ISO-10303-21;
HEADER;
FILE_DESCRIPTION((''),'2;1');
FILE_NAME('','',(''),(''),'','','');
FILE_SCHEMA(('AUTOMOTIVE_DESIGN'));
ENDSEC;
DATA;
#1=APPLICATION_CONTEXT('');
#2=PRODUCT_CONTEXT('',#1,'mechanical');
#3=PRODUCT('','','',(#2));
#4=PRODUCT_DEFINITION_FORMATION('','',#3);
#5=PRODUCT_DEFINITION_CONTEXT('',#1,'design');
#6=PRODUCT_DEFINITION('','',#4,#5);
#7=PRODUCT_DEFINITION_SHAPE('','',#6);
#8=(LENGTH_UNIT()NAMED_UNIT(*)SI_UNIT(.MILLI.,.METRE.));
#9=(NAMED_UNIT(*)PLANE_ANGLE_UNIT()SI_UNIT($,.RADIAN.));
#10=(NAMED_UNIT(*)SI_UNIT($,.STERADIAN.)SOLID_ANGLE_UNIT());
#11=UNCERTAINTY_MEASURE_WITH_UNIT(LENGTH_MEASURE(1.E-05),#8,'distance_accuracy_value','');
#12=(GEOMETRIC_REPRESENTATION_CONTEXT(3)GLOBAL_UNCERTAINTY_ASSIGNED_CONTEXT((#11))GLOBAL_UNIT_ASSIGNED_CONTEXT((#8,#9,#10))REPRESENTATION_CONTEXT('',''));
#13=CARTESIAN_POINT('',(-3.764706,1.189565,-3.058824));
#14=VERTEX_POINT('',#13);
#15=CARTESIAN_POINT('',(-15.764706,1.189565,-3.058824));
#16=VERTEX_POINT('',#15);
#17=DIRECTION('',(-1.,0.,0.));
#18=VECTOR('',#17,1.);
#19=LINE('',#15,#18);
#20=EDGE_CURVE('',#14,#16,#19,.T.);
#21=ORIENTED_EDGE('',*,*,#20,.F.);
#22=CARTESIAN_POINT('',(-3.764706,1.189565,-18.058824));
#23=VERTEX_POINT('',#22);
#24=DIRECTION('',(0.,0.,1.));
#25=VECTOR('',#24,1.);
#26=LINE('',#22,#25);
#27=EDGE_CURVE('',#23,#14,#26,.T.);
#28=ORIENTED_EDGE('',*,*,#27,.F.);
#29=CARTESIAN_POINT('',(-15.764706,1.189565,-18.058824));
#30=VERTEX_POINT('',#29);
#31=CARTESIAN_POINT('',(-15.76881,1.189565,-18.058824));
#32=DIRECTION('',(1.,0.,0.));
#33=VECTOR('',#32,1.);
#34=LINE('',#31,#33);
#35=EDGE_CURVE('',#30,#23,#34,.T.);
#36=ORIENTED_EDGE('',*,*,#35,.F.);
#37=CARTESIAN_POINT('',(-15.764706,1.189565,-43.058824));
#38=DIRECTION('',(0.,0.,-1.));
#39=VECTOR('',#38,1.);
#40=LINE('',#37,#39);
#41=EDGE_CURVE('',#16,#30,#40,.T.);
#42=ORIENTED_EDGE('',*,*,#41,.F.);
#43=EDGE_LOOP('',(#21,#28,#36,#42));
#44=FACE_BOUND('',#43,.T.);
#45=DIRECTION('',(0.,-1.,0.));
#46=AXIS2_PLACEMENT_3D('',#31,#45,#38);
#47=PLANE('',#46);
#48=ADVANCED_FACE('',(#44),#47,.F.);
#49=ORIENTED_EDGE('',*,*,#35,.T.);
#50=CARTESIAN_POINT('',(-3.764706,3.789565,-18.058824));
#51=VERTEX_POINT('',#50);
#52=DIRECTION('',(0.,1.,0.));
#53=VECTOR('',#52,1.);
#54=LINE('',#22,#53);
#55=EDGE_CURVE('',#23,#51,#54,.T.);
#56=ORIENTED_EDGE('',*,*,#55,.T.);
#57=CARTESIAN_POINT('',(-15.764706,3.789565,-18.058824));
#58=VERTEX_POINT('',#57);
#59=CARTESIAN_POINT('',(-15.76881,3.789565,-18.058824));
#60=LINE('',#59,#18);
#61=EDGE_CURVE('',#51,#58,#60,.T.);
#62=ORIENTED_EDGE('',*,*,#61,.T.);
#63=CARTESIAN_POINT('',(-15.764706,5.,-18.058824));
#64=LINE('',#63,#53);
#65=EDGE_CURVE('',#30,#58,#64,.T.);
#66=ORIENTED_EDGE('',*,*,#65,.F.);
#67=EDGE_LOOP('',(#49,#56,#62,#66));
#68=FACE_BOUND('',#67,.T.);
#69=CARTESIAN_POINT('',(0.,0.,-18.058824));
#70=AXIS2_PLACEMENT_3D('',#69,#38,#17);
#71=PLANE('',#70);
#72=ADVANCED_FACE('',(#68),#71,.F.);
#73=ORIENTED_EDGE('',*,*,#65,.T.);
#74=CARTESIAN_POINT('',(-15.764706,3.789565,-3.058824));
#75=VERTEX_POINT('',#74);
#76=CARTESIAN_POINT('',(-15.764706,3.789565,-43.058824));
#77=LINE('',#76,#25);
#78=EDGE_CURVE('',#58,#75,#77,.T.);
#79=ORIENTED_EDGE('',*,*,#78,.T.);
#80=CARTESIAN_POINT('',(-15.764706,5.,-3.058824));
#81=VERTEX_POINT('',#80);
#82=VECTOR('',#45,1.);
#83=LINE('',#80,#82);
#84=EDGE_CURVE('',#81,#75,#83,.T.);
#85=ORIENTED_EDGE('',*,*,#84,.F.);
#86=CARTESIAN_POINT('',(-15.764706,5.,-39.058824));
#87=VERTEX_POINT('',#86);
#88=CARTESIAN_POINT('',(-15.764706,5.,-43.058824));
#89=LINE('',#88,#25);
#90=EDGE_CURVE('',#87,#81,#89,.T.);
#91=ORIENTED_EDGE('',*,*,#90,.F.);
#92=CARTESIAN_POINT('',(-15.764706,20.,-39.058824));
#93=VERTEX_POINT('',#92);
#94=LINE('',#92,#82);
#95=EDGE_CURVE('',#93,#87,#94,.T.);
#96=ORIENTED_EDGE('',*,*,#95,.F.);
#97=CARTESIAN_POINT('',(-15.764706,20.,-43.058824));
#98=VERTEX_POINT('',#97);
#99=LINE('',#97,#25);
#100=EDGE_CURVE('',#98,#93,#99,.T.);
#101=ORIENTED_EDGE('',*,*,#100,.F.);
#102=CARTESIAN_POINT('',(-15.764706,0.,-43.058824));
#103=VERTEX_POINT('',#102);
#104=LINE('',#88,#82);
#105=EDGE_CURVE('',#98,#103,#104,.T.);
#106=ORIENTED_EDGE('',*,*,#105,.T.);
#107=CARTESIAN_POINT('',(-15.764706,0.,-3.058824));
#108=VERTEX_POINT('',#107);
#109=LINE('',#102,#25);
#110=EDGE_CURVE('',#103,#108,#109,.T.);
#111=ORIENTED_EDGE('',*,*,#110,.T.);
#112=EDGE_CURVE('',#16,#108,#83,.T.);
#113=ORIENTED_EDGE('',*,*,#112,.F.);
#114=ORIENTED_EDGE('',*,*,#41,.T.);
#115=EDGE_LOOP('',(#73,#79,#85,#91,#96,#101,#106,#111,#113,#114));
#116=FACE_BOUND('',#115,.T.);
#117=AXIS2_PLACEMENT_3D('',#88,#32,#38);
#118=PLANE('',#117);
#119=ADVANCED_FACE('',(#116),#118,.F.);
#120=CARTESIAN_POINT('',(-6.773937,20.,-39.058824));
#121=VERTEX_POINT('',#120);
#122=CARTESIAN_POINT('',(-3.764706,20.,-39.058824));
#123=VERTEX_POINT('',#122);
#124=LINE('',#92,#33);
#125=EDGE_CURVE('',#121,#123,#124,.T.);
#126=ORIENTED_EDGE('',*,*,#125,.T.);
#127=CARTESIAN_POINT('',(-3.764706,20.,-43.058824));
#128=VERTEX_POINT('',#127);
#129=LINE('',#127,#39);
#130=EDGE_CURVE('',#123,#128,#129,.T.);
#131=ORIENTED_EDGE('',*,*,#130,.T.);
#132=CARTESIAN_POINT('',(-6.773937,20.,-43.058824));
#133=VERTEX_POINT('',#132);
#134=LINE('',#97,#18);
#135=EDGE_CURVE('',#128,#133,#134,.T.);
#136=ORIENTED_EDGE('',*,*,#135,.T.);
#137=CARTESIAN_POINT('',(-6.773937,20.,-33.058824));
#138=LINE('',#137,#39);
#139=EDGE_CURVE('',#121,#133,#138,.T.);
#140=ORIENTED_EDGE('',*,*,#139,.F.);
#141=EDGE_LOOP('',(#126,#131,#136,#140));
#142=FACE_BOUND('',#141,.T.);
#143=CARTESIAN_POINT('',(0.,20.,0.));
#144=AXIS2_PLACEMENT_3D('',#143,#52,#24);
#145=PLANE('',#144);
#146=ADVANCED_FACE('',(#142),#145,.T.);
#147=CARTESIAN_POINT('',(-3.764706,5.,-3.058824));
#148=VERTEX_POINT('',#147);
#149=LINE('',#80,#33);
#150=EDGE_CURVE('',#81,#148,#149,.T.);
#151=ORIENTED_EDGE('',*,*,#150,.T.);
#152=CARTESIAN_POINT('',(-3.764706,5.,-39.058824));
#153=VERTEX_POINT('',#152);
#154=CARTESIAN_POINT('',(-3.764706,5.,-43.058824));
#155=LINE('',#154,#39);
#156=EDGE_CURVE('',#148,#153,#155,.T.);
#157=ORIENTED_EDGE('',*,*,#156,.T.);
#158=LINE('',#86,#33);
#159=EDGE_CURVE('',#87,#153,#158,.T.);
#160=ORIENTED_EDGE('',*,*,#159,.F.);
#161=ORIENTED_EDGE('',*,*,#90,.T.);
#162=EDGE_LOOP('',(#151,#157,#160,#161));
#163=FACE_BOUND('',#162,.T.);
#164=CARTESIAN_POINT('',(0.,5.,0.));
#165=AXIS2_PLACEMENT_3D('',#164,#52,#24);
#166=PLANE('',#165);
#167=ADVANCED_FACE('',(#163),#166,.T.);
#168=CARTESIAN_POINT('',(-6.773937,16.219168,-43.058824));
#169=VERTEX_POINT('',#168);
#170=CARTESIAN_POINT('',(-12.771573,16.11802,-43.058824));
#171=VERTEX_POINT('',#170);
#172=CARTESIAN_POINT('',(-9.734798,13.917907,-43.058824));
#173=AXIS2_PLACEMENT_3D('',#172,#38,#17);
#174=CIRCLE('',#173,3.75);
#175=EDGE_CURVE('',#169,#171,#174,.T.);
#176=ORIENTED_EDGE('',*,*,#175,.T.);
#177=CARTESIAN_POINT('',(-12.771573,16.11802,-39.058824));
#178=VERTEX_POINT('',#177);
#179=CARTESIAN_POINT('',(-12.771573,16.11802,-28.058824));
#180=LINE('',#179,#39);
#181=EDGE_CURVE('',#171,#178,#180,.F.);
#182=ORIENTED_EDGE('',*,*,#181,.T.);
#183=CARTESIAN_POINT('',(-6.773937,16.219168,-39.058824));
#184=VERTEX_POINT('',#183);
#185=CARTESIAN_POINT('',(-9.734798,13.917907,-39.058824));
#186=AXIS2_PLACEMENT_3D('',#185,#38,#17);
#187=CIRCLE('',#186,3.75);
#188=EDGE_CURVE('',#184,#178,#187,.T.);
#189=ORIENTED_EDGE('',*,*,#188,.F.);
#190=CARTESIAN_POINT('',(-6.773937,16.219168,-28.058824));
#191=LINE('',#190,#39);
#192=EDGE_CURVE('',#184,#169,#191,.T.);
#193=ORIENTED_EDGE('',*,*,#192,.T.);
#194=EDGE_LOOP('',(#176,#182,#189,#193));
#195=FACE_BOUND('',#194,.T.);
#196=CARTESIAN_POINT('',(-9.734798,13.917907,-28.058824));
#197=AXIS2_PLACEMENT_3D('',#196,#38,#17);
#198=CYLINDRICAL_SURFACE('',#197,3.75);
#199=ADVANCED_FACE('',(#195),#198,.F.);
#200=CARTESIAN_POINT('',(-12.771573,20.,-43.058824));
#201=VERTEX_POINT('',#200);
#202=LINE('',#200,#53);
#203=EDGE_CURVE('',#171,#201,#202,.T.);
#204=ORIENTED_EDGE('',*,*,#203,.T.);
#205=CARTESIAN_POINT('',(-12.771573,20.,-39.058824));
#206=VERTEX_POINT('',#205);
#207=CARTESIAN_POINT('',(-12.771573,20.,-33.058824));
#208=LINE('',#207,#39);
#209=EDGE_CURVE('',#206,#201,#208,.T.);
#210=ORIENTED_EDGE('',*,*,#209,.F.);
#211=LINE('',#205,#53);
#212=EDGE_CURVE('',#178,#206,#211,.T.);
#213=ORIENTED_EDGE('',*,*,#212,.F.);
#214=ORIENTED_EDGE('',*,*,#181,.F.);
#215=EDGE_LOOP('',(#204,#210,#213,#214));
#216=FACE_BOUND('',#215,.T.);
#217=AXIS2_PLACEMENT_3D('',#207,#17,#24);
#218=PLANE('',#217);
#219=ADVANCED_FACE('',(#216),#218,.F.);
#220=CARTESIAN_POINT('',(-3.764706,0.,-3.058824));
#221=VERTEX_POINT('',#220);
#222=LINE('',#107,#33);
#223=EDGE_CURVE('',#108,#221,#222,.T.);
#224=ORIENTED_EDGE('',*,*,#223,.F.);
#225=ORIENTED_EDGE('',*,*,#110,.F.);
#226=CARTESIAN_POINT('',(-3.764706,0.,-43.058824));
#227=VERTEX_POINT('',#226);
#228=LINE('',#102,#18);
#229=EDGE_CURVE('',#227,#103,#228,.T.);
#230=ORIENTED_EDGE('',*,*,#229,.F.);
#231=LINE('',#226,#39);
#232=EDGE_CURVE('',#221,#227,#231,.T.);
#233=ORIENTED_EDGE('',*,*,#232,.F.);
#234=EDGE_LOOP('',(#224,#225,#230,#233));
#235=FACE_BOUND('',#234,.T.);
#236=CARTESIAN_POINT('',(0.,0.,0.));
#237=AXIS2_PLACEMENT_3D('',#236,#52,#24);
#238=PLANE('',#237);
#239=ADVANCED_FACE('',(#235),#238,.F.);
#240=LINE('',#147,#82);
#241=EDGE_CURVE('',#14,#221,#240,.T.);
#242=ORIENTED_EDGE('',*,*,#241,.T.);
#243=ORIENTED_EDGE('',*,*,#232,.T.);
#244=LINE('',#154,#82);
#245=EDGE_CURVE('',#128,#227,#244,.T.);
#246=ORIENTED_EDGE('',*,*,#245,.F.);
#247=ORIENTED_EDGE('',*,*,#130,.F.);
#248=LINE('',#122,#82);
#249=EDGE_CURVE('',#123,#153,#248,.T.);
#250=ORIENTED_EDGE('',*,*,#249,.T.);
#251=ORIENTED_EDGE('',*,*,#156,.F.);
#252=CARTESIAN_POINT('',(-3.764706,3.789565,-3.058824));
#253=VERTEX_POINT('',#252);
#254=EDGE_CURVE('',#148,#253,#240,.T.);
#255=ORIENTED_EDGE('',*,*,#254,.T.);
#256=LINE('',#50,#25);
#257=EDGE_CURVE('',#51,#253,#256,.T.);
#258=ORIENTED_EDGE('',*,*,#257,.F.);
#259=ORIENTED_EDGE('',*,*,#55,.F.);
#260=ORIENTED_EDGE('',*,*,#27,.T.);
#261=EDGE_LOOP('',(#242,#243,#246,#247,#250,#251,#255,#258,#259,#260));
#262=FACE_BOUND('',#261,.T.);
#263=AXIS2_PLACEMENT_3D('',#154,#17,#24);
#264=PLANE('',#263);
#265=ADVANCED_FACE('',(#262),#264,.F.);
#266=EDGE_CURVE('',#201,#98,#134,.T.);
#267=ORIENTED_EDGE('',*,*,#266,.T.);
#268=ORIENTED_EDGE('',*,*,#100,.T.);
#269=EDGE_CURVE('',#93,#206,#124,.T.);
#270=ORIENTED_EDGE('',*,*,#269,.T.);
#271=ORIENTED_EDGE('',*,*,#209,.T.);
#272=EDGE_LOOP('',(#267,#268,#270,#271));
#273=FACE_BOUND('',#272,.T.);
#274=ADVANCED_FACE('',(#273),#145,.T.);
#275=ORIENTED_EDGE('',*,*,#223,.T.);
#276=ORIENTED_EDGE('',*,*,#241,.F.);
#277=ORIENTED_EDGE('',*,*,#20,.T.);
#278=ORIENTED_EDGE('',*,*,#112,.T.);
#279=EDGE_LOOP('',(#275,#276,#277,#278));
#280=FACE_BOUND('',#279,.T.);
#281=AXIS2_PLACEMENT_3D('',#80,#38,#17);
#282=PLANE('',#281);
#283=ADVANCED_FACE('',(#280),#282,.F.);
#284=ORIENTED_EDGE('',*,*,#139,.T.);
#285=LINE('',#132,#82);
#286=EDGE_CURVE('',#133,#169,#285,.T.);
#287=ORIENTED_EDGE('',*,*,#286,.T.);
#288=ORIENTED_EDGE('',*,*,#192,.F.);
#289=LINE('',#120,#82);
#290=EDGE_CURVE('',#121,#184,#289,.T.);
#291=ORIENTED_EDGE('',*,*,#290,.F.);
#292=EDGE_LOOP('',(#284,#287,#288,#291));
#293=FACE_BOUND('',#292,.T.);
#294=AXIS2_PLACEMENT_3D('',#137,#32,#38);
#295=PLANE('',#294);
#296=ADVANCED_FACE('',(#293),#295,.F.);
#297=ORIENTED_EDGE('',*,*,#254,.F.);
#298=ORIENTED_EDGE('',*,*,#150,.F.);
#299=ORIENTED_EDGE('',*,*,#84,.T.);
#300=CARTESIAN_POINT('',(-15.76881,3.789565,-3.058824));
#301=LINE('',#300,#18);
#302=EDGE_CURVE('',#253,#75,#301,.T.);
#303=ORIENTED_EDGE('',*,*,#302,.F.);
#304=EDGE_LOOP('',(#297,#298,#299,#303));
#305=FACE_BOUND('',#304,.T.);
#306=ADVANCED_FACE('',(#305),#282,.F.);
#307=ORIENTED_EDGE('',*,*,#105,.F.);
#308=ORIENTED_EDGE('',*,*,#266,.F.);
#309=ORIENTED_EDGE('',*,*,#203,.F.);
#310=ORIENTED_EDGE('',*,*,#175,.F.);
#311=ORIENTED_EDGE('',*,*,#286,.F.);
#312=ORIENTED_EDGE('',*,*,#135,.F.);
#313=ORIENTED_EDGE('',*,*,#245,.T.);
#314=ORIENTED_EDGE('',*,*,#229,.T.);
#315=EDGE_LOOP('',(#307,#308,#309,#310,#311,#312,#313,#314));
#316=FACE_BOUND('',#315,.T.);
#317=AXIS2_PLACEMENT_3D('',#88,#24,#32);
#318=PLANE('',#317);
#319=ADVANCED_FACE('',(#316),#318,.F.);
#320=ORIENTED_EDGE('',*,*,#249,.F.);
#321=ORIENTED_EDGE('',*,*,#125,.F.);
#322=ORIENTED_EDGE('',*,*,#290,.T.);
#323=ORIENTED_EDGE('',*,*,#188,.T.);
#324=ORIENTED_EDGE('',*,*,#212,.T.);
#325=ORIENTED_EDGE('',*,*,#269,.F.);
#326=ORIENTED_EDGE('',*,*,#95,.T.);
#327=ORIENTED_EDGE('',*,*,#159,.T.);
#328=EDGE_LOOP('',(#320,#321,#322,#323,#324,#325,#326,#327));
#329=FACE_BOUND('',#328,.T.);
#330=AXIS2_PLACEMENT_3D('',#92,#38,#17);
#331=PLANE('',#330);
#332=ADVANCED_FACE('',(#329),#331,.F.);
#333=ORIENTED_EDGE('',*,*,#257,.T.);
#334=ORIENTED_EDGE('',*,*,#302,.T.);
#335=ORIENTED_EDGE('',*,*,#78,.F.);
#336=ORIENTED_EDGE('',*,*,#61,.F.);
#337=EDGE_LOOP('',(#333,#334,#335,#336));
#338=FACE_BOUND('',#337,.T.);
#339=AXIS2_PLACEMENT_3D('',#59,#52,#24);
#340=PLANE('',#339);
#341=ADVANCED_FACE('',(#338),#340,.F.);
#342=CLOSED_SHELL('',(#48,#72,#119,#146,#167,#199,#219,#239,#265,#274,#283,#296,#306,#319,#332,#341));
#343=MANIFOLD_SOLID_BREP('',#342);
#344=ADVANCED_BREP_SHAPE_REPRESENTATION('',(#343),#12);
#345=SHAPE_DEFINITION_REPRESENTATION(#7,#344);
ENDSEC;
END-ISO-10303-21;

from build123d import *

# Parameters (mm, degrees)
SKETCH2_W           = 12
SKETCH2_H           = 40
BOSS_EXTRUDE1_DEPTH = 5
SKETCH3_W           = 12.004104261
SKETCH3_H           = 2.6
CUT_EXTRUDE1_DEPTH  = 15
SKETCH4_W           = 12
SKETCH4_H           = 4
BOSS_EXTRUDE2_DEPTH = 15
SKETCH5_R           = 3.75
CUT_EXTRUDE2_DEPTH  = 15
SKETCH6_W           = 5.997636367
SKETCH6_H           = 3.881980202
CUT_EXTRUDE3_DEPTH  = 10


with BuildPart() as part:
    # Sketch2 → Boss-Extrude1 (new body)
    with BuildSketch(Plane(origin=(0, 0, 0), x_dir=(1, 0, 0), z_dir=(0, 1, 0))):
        with Locations((-9.764705882, 23.058823529)):
            Rectangle(SKETCH2_W, SKETCH2_H)
    extrude(amount=BOSS_EXTRUDE1_DEPTH)

    # Sketch3 → Cut-Extrude1 (cut)
    with BuildSketch(Plane.XY.offset(-3.058823529)):
        with Locations((-9.766758013, 2.489565118)):
            Rectangle(SKETCH3_W, SKETCH3_H)
    extrude(amount=-CUT_EXTRUDE1_DEPTH, mode=Mode.SUBTRACT)

    # Sketch4 → Boss-Extrude2 (add)
    with BuildSketch(Plane(origin=(0, 5, 0), x_dir=(1, 0, 0), z_dir=(0, 1, 0))):
        with Locations((-9.764705882, 41.058823529)):
            Rectangle(SKETCH4_W, SKETCH4_H)
    extrude(amount=BOSS_EXTRUDE2_DEPTH)

    # Sketch5 → Cut-Extrude2 (cut)
    with BuildSketch(Plane(origin=(0, 0, -43.058823529), x_dir=(-1, 0, 0), z_dir=(0, 0, -1))):
        with Locations((9.734798195, 13.917907096)):
            Circle(SKETCH5_R)
    extrude(amount=-CUT_EXTRUDE2_DEPTH, mode=Mode.SUBTRACT)

    # Sketch6 → Cut-Extrude3 (cut)
    with BuildSketch(Plane(origin=(0, 0, -43.058823529), x_dir=(-1, 0, 0), z_dir=(0, 0, -1))):
        with Locations((9.772755291, 18.059009899)):
            Rectangle(SKETCH6_W, SKETCH6_H)
    extrude(amount=-CUT_EXTRUDE3_DEPTH, mode=Mode.SUBTRACT)


solid = part.part
